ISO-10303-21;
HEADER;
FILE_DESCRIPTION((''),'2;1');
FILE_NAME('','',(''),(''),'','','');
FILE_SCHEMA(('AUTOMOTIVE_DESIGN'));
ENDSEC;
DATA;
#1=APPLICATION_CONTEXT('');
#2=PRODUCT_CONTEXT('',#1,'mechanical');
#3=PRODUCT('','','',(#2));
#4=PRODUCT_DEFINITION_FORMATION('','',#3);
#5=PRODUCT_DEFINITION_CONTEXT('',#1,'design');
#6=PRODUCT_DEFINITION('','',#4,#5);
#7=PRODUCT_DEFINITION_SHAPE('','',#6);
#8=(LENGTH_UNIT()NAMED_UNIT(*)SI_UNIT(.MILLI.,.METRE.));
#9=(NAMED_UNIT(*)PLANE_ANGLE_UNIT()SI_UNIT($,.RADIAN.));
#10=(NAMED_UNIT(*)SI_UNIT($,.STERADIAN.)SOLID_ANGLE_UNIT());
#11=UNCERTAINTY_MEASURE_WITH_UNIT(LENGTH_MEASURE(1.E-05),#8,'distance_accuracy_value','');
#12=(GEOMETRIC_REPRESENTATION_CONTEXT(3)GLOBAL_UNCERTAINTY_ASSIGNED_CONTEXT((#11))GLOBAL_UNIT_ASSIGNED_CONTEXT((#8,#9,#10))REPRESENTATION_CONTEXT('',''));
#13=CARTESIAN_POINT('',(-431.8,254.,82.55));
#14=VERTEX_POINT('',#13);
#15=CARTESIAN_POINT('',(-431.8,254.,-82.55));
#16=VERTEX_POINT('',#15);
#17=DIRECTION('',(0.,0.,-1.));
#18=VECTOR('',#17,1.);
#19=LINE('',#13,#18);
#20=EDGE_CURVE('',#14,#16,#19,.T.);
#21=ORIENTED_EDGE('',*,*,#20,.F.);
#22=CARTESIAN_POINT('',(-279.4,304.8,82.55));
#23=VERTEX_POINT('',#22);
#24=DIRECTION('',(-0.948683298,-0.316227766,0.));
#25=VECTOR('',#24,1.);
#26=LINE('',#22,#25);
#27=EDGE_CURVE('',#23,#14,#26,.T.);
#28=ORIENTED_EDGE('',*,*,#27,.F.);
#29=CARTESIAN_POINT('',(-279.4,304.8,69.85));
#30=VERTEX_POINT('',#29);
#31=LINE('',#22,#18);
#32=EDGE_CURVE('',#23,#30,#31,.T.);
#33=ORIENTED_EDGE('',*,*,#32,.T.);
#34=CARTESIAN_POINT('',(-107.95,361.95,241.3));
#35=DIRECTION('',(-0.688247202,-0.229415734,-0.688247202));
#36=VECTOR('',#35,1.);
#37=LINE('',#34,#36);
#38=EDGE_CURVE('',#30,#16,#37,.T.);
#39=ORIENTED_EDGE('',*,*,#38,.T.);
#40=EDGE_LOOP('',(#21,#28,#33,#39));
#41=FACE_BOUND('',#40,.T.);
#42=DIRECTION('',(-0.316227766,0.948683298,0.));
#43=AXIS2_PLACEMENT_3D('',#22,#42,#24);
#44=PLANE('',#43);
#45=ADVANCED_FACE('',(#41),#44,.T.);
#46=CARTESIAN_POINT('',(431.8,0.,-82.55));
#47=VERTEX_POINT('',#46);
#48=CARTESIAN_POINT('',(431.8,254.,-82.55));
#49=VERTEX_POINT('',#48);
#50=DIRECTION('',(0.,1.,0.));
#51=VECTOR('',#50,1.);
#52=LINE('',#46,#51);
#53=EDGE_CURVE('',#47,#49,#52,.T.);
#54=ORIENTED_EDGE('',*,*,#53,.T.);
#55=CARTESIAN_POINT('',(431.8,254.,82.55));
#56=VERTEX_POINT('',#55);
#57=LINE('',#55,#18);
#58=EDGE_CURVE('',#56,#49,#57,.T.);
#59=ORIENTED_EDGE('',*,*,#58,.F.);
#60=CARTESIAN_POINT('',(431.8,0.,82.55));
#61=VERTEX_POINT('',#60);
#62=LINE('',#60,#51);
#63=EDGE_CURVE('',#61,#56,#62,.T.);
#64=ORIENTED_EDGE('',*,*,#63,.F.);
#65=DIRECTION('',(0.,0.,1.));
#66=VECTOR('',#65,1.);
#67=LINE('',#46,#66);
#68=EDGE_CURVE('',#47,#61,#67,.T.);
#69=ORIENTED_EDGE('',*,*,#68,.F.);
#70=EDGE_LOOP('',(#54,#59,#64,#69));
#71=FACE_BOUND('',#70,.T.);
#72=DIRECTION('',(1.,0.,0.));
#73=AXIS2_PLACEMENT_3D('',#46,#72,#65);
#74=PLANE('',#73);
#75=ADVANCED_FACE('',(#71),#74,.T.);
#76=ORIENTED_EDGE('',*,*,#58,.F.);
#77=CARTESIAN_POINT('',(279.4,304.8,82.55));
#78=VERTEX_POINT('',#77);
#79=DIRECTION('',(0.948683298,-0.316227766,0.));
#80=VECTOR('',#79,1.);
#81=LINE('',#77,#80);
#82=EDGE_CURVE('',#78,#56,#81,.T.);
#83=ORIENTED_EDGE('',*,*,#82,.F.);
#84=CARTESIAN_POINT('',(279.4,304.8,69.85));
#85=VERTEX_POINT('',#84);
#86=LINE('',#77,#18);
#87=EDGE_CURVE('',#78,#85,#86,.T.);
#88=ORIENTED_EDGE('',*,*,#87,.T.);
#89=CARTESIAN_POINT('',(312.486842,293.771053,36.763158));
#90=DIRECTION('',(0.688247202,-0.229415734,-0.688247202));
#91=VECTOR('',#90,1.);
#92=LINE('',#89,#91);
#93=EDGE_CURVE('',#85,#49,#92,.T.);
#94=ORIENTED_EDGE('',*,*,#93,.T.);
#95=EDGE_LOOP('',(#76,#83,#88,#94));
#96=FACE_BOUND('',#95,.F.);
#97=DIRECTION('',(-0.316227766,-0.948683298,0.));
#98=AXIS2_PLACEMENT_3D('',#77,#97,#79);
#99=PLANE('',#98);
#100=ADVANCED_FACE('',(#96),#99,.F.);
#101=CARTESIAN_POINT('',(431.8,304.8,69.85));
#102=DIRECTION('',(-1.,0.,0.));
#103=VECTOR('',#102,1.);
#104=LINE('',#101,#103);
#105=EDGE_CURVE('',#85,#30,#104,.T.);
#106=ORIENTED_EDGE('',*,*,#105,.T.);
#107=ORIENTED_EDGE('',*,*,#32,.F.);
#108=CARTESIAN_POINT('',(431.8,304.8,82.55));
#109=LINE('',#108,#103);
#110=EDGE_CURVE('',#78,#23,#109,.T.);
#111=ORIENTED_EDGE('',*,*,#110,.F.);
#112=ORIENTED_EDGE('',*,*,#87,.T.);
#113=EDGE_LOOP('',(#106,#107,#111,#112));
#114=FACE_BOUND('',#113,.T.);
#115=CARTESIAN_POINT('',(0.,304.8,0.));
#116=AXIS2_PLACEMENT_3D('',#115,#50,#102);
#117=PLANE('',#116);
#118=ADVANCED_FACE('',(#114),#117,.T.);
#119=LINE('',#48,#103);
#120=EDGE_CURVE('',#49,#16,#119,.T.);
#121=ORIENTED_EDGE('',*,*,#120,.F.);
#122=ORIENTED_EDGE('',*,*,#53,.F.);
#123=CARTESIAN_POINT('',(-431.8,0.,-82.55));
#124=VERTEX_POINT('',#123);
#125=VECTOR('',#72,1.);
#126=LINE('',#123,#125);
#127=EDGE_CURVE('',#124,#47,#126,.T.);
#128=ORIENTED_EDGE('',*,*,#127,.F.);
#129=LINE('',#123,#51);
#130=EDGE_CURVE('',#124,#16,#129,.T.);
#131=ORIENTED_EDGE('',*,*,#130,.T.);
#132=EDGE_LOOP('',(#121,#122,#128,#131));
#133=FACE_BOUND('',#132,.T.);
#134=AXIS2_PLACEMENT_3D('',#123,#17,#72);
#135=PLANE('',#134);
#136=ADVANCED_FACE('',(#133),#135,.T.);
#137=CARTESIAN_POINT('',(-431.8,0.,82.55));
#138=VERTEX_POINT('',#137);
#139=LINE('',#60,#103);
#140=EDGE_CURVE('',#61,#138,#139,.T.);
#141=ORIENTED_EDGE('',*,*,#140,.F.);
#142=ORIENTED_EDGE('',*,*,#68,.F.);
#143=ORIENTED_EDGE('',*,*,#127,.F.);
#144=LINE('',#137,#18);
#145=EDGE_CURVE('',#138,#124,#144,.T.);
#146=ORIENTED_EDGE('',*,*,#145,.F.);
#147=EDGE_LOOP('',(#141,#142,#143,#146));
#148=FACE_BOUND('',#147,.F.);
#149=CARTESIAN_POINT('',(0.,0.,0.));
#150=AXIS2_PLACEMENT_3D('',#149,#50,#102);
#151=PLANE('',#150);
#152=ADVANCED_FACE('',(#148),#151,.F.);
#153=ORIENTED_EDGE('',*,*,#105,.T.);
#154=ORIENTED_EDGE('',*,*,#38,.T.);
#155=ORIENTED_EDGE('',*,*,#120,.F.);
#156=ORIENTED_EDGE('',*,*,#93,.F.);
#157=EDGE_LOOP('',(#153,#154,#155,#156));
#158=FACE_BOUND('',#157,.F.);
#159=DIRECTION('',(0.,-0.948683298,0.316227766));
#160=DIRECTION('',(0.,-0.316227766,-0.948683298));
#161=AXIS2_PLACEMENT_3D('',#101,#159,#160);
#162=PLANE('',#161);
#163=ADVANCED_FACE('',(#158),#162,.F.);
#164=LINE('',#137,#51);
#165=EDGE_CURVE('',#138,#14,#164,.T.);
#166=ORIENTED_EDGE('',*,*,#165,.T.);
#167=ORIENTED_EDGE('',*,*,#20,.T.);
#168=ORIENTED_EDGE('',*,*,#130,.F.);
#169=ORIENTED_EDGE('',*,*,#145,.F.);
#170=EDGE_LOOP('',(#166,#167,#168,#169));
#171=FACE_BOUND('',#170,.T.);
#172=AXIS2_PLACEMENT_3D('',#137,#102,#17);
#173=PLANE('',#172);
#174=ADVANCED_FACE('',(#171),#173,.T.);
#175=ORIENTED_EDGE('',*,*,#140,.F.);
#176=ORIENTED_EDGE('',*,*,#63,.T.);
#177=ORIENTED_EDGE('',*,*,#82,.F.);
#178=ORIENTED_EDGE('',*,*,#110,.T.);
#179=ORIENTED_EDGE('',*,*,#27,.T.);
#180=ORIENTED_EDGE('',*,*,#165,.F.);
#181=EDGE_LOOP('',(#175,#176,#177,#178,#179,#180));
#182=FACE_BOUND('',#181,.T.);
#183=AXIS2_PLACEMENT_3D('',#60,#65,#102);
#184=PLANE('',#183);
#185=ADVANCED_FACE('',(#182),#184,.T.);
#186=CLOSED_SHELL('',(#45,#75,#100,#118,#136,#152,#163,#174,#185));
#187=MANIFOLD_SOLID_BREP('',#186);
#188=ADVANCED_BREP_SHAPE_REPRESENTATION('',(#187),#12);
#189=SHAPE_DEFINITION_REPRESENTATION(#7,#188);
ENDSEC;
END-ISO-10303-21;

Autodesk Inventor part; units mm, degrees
ref_plane "YZ Plane" through (0, 0, 0) normal (1, 0, 0) x (0, 1, 0)
ref_plane "XZ Plane" through (0, 0, 0) normal (0, 1, 0) x (-1, 0, 0)
ref_plane "XY Plane" through (0, 0, 0) normal (0, 0, 1) x (1, 0, 0)
sketch "Sketch1" plane through (0, 0, 0) normal (0, 1, 0) x (-1, 0, 0)
  line L0 (431.8, -82.55) -> (-431.8, -82.55)
  line L1 (-431.8, -82.55) -> (-431.8, 82.55)
  line L2 (-431.8, 82.55) -> (431.8, 82.55)
  line L3 (431.8, 82.55) -> (431.8, -82.55)
  line L4 (431.8, -82.55) -> (-431.8, 82.55) construction
  line L5 (-431.8, -82.55) -> (431.8, 82.55) construction
  point P0 (0, 0)
  dimension "d0" = 863.6
  dimension "d1" = 165.1
extrude "Extrusion1" add sketch "Sketch1" along normal blind 304.8
sketch "Sketch2" plane through (431.8, 0, 82.55) normal (1, 0, 0) x (0, 0, -1)
  line L0 (0, 304.8) -> (165.1, 304.8) projected
  line L1 (165.1, 0) -> (165.1, 304.8) projected
  line L2 (12.7, 304.8) -> (165.1, 254)
  line L3 (165.1, 254) -> (165.1, 304.8)
  line L4 (165.1, 304.8) -> (12.7, 304.8)
  point P0 (82.55, 0)
  dimension "d4" = 12.7
  dimension "d5" = 50.8
extrude "Extrusion2" cut sketch "Sketch2" against normal through all
sketch "Sketch3" plane through (-431.8, 0, 82.55) normal (0, 0, 1) x (1, 0, 0)
  line L0 (0, 304.8) -> (863.6, 304.8) projected
  line L1 (863.6, 0) -> (863.6, 304.8) projected
  line L2 (431.8, 304.8) -> (431.8, 0) construction
  line L3 (863.6, 0) -> (0, 0) construction
  line L4 (711.2, 304.8) -> (863.6, 254)
  line L5 (152.4, 304.8) -> (0, 254)
  line L6 (0, 0) -> (0, 304.8) projected
  line L7 (0, 254) -> (0, 304.8)
  line L8 (0, 304.8) -> (152.4, 304.8)
  dimension "d8" = 152.4
  dimension "d9" = 50.8
extrude "Extrusion3" cut sketch "Sketch3" against normal through all contours L0 L1 L4
extrude "Extrusion4" cut sketch "Sketch3" against normal through all contours L0 L5 L6
properties part number "Straight_cap_7" material "Limestone"
